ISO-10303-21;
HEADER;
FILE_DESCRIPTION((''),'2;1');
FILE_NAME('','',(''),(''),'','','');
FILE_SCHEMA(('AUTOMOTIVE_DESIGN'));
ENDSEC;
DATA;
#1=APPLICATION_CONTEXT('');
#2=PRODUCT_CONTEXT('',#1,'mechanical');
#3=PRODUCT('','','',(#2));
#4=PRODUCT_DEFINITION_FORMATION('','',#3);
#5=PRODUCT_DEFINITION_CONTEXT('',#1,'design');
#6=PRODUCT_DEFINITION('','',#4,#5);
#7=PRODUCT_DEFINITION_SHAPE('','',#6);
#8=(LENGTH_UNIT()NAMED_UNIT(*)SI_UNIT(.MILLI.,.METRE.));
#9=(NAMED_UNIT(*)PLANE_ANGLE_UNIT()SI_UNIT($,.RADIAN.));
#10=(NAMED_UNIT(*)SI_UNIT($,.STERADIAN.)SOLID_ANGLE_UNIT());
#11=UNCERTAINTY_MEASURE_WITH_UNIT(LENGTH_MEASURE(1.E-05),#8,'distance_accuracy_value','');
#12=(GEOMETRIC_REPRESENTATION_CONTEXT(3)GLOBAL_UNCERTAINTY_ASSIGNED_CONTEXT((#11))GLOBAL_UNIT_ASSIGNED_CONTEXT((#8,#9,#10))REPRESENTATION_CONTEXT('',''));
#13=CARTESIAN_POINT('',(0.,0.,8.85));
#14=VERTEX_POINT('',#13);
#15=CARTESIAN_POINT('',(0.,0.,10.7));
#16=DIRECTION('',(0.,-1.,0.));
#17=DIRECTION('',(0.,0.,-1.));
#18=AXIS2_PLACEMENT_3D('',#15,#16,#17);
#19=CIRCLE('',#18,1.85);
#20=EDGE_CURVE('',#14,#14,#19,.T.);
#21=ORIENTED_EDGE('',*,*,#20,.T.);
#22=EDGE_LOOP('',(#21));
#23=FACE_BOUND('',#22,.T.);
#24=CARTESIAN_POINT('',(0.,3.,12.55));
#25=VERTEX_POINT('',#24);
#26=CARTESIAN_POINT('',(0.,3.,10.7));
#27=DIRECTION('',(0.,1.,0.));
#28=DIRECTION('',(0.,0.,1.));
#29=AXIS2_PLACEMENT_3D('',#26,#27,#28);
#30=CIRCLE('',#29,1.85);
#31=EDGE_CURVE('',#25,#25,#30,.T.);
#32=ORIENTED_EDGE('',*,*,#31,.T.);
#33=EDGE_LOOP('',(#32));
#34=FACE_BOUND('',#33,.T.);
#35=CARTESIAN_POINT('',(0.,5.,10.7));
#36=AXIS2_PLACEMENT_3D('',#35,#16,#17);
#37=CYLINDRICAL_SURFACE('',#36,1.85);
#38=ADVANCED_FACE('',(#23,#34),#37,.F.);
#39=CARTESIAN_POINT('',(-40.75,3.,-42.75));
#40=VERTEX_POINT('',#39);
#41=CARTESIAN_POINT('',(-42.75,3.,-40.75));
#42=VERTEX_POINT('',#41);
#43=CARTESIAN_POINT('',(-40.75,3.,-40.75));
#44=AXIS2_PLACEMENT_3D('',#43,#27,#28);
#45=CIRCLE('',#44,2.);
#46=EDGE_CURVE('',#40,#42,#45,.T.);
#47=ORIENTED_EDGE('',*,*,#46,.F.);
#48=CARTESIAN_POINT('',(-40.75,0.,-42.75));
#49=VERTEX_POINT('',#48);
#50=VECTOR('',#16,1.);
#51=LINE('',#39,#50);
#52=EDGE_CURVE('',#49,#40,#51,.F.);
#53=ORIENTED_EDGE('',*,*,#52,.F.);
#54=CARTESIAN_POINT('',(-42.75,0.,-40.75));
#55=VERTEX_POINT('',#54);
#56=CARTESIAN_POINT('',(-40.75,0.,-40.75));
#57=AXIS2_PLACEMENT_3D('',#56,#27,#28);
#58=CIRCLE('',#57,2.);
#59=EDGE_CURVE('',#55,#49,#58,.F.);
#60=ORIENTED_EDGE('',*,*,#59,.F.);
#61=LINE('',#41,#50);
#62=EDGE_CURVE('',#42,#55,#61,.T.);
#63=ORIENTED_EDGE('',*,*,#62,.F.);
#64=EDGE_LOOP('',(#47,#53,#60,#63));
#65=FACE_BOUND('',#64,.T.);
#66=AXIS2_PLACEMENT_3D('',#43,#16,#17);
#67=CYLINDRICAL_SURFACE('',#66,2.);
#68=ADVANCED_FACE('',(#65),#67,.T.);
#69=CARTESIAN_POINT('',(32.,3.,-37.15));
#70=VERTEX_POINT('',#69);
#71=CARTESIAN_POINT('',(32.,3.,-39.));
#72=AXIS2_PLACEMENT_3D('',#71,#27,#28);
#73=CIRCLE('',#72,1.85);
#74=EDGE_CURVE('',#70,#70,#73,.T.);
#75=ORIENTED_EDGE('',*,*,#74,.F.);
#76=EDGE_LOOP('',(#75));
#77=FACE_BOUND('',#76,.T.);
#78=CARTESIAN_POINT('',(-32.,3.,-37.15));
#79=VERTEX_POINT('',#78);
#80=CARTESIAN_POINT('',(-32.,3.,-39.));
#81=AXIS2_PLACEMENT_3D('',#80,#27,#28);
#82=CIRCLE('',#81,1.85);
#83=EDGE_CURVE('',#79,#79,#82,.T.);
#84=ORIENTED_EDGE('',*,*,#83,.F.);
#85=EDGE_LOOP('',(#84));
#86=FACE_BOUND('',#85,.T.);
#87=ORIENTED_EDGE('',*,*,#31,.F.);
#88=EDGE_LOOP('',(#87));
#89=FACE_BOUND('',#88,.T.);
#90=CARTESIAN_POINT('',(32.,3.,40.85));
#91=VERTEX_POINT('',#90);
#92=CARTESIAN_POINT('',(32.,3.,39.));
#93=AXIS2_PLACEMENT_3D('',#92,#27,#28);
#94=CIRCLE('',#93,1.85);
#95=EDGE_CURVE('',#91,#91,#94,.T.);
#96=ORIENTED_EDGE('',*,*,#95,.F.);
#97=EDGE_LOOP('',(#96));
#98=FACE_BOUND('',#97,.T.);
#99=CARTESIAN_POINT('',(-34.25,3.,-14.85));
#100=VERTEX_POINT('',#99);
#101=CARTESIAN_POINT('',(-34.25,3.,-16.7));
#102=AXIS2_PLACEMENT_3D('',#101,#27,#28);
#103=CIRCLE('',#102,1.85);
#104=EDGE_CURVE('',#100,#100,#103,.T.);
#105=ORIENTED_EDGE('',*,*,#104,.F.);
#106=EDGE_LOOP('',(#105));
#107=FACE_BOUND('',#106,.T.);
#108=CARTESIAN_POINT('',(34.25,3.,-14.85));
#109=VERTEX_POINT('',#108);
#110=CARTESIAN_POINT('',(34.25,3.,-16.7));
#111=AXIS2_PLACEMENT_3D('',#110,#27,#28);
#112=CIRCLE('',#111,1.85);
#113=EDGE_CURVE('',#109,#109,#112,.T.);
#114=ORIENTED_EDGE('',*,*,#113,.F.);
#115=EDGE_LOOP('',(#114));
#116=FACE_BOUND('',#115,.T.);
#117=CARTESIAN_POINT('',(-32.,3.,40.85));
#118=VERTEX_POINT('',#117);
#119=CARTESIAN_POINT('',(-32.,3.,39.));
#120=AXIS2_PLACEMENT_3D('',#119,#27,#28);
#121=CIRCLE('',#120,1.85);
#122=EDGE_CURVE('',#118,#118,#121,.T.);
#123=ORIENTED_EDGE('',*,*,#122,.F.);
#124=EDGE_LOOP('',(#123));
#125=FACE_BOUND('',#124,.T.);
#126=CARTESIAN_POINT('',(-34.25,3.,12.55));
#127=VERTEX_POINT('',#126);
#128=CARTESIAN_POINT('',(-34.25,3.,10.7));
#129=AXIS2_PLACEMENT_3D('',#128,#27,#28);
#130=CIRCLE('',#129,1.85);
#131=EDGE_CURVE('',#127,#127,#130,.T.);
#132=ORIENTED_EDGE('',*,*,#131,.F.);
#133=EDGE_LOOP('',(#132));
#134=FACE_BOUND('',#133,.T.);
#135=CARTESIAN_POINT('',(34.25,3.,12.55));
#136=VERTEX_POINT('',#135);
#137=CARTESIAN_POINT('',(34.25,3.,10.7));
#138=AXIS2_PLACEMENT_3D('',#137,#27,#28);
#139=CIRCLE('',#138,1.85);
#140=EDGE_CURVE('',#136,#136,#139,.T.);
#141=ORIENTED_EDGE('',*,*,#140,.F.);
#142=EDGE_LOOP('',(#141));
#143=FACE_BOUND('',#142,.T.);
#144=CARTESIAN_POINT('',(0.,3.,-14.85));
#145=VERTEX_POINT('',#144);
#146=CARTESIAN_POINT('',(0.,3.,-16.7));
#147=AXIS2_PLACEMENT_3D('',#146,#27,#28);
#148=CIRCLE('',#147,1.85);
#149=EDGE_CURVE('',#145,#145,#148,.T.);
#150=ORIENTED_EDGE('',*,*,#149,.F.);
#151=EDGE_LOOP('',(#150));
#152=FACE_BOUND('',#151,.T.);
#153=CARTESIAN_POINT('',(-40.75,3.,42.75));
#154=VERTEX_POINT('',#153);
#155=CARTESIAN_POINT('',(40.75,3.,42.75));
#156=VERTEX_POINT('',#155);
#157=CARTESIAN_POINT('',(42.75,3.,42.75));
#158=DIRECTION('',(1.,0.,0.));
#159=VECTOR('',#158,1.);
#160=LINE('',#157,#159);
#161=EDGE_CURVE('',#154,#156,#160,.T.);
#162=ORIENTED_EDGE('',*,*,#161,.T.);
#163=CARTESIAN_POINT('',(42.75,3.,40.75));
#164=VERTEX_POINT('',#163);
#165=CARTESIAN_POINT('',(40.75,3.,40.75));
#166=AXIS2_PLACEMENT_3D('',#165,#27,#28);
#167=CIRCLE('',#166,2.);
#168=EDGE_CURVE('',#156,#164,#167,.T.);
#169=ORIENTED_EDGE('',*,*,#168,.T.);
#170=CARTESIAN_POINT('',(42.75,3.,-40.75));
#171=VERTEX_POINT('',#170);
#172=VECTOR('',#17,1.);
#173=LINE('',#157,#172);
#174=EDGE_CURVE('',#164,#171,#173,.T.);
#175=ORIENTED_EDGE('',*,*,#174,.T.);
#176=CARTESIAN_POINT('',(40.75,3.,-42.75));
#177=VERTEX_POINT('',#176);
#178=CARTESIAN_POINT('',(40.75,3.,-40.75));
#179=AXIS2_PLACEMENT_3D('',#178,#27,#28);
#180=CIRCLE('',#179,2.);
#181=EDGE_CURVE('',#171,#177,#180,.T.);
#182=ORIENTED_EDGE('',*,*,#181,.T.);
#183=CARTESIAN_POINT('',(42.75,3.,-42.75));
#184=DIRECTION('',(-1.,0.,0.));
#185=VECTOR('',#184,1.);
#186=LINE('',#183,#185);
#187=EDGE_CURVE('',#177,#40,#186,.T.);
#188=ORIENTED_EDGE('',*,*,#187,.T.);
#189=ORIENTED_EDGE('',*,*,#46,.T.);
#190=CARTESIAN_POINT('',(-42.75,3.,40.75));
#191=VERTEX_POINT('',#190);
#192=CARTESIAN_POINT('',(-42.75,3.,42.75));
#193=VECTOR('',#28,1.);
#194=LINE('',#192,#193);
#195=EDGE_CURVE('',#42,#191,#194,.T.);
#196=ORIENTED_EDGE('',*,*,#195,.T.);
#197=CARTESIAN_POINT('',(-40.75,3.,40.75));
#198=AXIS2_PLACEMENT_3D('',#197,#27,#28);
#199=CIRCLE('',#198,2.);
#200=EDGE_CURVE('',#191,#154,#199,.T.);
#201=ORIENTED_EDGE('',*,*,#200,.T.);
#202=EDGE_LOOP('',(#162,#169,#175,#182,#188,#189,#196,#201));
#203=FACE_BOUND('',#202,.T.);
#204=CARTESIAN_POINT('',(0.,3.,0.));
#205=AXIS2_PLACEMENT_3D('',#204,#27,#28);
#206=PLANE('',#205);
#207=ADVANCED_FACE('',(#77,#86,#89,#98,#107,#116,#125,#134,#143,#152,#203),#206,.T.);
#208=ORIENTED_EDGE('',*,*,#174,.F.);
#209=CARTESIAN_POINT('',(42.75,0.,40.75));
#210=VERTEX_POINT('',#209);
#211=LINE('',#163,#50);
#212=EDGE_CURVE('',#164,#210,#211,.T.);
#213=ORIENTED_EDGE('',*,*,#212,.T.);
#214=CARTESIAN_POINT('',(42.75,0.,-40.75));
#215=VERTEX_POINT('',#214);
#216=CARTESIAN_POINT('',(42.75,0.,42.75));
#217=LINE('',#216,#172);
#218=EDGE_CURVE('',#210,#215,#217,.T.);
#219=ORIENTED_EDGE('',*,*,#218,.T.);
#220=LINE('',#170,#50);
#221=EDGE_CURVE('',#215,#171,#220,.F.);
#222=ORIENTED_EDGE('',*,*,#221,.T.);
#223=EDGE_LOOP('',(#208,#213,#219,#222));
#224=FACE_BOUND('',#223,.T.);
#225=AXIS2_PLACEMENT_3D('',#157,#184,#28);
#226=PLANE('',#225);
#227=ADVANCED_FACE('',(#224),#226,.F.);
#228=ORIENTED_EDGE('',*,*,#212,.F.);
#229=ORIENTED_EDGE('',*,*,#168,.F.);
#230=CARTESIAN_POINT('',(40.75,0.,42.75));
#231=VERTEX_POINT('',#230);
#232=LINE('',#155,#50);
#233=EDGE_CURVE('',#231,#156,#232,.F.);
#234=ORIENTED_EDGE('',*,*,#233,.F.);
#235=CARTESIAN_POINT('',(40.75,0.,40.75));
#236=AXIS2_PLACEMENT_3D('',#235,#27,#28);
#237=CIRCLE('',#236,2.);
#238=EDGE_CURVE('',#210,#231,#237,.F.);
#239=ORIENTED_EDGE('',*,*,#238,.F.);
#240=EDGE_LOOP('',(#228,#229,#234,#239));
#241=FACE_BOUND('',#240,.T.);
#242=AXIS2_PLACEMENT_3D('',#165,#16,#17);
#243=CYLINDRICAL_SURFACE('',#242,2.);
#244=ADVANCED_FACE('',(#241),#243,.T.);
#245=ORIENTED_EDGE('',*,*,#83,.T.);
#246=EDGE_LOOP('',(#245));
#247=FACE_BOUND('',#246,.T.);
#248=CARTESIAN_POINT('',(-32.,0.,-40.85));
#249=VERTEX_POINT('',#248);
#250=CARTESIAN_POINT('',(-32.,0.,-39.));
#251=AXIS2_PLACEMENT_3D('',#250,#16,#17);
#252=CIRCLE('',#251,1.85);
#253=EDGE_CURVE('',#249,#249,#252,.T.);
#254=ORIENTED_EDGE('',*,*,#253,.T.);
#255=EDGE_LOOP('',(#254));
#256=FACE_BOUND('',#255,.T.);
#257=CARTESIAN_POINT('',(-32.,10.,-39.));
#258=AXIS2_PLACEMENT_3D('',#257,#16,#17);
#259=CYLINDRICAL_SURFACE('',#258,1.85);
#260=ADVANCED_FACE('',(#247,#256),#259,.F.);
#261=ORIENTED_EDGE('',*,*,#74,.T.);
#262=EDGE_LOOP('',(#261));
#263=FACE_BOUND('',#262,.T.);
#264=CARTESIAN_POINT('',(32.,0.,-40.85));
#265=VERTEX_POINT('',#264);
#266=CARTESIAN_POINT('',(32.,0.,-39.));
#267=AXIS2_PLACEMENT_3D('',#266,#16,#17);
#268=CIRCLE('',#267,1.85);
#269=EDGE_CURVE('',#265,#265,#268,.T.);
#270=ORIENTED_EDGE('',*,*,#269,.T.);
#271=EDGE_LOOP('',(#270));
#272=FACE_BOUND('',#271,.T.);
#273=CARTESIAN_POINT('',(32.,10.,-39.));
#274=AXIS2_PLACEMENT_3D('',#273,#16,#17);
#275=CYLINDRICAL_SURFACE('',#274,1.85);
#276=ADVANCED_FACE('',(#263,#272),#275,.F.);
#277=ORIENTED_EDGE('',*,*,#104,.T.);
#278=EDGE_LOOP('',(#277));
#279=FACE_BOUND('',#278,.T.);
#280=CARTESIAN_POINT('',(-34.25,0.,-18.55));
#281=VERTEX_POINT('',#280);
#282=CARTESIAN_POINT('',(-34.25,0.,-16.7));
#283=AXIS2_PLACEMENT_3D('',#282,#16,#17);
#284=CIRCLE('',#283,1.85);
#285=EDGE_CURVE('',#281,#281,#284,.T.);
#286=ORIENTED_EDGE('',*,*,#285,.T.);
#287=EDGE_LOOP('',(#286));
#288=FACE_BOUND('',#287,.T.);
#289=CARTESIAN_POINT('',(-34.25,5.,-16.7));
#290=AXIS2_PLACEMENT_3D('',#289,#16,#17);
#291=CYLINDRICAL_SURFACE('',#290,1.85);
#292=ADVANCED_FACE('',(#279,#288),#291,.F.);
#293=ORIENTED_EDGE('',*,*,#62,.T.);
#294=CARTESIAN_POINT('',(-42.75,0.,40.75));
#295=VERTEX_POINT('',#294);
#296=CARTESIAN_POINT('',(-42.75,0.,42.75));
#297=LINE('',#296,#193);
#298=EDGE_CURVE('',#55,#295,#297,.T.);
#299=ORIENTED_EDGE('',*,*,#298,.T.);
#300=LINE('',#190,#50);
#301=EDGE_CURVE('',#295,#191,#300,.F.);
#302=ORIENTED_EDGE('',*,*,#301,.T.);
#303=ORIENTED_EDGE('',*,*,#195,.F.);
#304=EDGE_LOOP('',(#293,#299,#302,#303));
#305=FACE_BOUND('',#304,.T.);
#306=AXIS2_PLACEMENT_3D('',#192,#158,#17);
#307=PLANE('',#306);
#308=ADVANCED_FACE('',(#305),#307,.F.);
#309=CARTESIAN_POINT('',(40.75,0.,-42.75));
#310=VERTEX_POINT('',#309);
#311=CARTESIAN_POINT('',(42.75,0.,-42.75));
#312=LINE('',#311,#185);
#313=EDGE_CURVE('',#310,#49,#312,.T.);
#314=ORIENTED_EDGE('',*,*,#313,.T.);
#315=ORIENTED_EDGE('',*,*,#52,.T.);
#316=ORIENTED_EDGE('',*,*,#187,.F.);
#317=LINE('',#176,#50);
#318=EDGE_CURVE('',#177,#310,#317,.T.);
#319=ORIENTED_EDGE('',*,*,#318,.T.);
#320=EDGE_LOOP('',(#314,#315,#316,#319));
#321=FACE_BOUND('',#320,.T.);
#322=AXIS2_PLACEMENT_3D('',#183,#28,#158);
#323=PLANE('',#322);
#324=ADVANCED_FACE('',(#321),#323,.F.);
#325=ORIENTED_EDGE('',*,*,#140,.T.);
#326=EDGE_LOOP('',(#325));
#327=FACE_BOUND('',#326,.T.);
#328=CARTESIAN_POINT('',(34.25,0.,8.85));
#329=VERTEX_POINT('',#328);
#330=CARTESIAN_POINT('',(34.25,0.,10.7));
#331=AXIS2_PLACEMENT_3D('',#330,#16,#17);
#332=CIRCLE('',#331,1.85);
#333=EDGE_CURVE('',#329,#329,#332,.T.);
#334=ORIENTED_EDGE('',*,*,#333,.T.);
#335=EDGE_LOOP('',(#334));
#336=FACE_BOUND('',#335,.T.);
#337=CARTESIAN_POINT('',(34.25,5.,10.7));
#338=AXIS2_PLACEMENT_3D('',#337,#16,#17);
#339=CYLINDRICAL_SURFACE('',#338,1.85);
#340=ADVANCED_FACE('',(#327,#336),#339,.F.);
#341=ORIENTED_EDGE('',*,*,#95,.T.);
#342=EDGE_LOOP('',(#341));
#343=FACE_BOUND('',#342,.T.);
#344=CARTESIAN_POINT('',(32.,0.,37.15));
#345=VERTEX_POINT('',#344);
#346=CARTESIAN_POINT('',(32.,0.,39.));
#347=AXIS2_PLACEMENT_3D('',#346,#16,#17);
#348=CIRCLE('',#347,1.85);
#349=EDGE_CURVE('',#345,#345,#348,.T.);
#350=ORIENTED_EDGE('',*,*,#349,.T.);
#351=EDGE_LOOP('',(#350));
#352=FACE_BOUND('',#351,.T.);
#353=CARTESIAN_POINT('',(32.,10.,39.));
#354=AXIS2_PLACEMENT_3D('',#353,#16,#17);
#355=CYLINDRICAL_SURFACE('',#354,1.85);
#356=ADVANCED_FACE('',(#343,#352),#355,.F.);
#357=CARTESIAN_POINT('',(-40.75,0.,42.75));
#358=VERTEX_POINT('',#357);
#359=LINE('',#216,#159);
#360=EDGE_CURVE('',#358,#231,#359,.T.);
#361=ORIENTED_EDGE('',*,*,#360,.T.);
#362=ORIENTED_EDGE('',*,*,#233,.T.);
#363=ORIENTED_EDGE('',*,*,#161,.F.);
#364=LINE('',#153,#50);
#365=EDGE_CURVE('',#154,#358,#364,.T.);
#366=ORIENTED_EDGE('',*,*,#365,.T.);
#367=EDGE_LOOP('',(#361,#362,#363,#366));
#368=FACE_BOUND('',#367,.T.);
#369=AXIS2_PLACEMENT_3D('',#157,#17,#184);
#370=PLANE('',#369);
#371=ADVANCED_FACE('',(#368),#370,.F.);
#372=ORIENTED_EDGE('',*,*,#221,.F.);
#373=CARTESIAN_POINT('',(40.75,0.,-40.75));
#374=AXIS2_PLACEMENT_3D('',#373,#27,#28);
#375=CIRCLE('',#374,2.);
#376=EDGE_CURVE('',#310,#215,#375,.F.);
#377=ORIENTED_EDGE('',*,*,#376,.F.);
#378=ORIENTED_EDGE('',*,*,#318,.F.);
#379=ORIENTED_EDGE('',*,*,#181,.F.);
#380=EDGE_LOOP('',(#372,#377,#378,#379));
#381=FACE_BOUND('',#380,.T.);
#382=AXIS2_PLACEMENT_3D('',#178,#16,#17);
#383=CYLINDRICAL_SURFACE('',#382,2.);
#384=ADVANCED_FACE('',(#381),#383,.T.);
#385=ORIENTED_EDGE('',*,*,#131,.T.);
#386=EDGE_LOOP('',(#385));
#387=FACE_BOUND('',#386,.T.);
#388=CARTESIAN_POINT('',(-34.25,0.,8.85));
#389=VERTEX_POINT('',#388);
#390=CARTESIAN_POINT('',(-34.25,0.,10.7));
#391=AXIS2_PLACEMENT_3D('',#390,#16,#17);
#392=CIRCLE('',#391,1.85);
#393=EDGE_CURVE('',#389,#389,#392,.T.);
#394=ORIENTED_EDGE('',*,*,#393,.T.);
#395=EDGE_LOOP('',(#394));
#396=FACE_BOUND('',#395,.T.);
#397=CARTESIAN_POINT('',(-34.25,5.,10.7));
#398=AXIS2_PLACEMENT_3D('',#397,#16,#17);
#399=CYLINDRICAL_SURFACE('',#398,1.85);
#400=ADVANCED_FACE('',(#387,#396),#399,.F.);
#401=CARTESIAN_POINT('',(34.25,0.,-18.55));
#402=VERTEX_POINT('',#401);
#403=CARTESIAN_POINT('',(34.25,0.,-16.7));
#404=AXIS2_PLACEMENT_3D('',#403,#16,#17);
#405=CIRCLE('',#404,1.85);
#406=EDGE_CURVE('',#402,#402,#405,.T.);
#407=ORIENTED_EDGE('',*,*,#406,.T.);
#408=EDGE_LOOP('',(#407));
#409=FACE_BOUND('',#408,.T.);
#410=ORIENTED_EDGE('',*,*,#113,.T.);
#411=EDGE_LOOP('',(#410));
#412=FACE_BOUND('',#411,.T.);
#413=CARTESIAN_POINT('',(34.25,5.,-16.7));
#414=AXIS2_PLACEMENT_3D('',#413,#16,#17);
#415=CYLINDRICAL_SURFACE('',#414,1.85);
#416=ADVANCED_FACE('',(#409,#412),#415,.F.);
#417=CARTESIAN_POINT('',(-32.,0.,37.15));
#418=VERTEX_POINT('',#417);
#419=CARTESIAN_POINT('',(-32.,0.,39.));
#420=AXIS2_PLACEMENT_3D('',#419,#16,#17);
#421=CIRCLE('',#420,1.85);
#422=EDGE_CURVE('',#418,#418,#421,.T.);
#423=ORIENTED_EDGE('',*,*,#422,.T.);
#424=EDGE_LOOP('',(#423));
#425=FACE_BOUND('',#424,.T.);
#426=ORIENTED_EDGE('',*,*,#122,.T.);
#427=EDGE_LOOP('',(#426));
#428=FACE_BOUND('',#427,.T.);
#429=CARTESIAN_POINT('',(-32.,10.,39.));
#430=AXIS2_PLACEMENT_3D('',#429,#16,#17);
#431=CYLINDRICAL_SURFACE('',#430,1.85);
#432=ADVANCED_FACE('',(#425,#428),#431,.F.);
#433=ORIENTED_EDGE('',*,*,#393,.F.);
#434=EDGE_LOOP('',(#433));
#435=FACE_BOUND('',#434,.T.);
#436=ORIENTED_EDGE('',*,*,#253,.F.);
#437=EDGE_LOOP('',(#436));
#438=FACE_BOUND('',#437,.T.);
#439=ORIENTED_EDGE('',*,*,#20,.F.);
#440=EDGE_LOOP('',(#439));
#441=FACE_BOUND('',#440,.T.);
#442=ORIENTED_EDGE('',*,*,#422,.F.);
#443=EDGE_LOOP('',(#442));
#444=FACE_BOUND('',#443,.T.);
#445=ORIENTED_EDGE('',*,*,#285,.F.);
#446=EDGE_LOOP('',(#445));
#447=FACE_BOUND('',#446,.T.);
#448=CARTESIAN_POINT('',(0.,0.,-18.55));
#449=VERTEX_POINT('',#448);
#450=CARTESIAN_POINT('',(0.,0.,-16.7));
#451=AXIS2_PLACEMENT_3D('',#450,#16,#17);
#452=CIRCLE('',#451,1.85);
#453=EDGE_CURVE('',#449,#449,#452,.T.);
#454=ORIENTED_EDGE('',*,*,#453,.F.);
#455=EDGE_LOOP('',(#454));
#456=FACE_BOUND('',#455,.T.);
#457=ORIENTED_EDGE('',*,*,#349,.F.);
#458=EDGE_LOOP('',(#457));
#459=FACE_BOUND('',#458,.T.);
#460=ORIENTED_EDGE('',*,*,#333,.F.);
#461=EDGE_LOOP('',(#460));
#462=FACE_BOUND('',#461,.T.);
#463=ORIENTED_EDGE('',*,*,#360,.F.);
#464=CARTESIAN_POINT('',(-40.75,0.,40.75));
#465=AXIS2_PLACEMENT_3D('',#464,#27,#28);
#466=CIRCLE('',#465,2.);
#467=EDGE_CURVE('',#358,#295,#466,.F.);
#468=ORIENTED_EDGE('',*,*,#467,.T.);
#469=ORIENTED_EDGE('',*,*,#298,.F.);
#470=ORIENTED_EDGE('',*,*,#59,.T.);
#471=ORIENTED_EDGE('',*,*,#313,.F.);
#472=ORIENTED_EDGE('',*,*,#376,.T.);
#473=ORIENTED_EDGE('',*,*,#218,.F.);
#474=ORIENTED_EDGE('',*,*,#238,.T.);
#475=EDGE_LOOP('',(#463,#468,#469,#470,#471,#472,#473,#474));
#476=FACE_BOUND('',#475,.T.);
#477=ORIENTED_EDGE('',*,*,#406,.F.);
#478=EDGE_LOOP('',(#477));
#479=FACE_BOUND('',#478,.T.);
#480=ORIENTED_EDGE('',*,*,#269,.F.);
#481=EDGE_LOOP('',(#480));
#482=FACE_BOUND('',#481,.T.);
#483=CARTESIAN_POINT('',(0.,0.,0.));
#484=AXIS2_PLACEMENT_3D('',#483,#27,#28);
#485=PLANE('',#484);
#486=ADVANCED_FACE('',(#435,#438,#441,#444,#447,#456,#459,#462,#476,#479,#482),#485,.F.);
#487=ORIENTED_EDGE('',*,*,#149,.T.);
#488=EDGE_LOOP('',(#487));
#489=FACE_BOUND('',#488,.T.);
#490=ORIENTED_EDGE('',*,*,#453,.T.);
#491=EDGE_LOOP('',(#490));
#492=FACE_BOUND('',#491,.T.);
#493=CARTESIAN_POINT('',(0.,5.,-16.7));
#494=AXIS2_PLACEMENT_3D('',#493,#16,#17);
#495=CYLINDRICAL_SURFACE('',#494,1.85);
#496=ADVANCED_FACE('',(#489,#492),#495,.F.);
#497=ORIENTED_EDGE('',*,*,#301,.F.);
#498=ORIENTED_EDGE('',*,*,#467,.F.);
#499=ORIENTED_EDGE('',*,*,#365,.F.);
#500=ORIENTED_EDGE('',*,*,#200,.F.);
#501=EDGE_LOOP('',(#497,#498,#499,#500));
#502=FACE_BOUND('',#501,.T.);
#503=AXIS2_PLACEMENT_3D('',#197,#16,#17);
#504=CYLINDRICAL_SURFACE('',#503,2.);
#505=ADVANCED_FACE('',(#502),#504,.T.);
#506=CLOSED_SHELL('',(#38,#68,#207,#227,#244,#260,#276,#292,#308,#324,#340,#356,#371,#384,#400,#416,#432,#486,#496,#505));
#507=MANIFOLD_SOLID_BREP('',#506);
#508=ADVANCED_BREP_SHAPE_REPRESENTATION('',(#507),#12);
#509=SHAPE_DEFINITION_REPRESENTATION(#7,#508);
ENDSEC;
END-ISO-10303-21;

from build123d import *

# Parameters (mm, degrees)
SKETCH1_W           = 85.5
SKETCH1_H           = 85.5
BOSS_EXTRUDE1_DEPTH = 3
FILLET1_R           = 2
SKETCH2_R           = 1.85
CUT_EXTRUDE1_DEPTH  = 10
SKETCH3_R           = 1.85
CUT_EXTRUDE2_DEPTH  = 5


with BuildPart() as part:
    # Sketch1 → Boss-Extrude1 (new body)
    with BuildSketch(Plane(origin=(0, 0, 0), x_dir=(1, 0, 0), z_dir=(0, 1, 0))):
        Rectangle(SKETCH1_W, SKETCH1_H)
    extrude(amount=BOSS_EXTRUDE1_DEPTH)

    # Fillet1
    fillet1_edges = [part.edges().sort_by_distance(p)[0] for p in [
        (-42.75, 1.5, -42.75),
        (42.75, 1.5, -42.75),
        (42.75, 1.5, 42.75),
        (-42.75, 1.5, 42.75),
    ]]
    fillet(fillet1_edges, radius=FILLET1_R)

    # Sketch2 → Cut-Extrude1 (cut)
    with BuildSketch(Plane.XZ):
        with Locations(Location((-32, -39, 0), (0, 0, 270))):
            Circle(SKETCH2_R)
        with Locations(Location((32, -39, 0), (0, 0, 270))):
            Circle(SKETCH2_R)
        with Locations(Location((-32, 39, 0), (0, 0, 270))):
            Circle(SKETCH2_R)
        with Locations(Location((32, 39, 0), (0, 0, 270))):
            Circle(SKETCH2_R)
    extrude(amount=-CUT_EXTRUDE1_DEPTH, mode=Mode.SUBTRACT)

    # Sketch3 → Cut-Extrude2 (cut)
    with BuildSketch(Plane.XZ):
        with Locations(Location((-34.25, -16.7, 0), (0, 0, 270))):
            Circle(SKETCH3_R)
        with Locations(Location((0, -16.7, 0), (0, 0, 270))):
            Circle(SKETCH3_R)
        with Locations(Location((34.25, -16.7, 0), (0, 0, 270))):
            Circle(SKETCH3_R)
        with Locations(Location((0, 10.7, 0), (0, 0, 270))):
            Circle(SKETCH3_R)
        with Locations(Location((-34.25, 10.7, 0), (0, 0, 270))):
            Circle(SKETCH3_R)
        with Locations(Location((34.25, 10.7, 0), (0, 0, 270))):
            Circle(SKETCH3_R)
    extrude(amount=-CUT_EXTRUDE2_DEPTH, mode=Mode.SUBTRACT)


solid = part.part
